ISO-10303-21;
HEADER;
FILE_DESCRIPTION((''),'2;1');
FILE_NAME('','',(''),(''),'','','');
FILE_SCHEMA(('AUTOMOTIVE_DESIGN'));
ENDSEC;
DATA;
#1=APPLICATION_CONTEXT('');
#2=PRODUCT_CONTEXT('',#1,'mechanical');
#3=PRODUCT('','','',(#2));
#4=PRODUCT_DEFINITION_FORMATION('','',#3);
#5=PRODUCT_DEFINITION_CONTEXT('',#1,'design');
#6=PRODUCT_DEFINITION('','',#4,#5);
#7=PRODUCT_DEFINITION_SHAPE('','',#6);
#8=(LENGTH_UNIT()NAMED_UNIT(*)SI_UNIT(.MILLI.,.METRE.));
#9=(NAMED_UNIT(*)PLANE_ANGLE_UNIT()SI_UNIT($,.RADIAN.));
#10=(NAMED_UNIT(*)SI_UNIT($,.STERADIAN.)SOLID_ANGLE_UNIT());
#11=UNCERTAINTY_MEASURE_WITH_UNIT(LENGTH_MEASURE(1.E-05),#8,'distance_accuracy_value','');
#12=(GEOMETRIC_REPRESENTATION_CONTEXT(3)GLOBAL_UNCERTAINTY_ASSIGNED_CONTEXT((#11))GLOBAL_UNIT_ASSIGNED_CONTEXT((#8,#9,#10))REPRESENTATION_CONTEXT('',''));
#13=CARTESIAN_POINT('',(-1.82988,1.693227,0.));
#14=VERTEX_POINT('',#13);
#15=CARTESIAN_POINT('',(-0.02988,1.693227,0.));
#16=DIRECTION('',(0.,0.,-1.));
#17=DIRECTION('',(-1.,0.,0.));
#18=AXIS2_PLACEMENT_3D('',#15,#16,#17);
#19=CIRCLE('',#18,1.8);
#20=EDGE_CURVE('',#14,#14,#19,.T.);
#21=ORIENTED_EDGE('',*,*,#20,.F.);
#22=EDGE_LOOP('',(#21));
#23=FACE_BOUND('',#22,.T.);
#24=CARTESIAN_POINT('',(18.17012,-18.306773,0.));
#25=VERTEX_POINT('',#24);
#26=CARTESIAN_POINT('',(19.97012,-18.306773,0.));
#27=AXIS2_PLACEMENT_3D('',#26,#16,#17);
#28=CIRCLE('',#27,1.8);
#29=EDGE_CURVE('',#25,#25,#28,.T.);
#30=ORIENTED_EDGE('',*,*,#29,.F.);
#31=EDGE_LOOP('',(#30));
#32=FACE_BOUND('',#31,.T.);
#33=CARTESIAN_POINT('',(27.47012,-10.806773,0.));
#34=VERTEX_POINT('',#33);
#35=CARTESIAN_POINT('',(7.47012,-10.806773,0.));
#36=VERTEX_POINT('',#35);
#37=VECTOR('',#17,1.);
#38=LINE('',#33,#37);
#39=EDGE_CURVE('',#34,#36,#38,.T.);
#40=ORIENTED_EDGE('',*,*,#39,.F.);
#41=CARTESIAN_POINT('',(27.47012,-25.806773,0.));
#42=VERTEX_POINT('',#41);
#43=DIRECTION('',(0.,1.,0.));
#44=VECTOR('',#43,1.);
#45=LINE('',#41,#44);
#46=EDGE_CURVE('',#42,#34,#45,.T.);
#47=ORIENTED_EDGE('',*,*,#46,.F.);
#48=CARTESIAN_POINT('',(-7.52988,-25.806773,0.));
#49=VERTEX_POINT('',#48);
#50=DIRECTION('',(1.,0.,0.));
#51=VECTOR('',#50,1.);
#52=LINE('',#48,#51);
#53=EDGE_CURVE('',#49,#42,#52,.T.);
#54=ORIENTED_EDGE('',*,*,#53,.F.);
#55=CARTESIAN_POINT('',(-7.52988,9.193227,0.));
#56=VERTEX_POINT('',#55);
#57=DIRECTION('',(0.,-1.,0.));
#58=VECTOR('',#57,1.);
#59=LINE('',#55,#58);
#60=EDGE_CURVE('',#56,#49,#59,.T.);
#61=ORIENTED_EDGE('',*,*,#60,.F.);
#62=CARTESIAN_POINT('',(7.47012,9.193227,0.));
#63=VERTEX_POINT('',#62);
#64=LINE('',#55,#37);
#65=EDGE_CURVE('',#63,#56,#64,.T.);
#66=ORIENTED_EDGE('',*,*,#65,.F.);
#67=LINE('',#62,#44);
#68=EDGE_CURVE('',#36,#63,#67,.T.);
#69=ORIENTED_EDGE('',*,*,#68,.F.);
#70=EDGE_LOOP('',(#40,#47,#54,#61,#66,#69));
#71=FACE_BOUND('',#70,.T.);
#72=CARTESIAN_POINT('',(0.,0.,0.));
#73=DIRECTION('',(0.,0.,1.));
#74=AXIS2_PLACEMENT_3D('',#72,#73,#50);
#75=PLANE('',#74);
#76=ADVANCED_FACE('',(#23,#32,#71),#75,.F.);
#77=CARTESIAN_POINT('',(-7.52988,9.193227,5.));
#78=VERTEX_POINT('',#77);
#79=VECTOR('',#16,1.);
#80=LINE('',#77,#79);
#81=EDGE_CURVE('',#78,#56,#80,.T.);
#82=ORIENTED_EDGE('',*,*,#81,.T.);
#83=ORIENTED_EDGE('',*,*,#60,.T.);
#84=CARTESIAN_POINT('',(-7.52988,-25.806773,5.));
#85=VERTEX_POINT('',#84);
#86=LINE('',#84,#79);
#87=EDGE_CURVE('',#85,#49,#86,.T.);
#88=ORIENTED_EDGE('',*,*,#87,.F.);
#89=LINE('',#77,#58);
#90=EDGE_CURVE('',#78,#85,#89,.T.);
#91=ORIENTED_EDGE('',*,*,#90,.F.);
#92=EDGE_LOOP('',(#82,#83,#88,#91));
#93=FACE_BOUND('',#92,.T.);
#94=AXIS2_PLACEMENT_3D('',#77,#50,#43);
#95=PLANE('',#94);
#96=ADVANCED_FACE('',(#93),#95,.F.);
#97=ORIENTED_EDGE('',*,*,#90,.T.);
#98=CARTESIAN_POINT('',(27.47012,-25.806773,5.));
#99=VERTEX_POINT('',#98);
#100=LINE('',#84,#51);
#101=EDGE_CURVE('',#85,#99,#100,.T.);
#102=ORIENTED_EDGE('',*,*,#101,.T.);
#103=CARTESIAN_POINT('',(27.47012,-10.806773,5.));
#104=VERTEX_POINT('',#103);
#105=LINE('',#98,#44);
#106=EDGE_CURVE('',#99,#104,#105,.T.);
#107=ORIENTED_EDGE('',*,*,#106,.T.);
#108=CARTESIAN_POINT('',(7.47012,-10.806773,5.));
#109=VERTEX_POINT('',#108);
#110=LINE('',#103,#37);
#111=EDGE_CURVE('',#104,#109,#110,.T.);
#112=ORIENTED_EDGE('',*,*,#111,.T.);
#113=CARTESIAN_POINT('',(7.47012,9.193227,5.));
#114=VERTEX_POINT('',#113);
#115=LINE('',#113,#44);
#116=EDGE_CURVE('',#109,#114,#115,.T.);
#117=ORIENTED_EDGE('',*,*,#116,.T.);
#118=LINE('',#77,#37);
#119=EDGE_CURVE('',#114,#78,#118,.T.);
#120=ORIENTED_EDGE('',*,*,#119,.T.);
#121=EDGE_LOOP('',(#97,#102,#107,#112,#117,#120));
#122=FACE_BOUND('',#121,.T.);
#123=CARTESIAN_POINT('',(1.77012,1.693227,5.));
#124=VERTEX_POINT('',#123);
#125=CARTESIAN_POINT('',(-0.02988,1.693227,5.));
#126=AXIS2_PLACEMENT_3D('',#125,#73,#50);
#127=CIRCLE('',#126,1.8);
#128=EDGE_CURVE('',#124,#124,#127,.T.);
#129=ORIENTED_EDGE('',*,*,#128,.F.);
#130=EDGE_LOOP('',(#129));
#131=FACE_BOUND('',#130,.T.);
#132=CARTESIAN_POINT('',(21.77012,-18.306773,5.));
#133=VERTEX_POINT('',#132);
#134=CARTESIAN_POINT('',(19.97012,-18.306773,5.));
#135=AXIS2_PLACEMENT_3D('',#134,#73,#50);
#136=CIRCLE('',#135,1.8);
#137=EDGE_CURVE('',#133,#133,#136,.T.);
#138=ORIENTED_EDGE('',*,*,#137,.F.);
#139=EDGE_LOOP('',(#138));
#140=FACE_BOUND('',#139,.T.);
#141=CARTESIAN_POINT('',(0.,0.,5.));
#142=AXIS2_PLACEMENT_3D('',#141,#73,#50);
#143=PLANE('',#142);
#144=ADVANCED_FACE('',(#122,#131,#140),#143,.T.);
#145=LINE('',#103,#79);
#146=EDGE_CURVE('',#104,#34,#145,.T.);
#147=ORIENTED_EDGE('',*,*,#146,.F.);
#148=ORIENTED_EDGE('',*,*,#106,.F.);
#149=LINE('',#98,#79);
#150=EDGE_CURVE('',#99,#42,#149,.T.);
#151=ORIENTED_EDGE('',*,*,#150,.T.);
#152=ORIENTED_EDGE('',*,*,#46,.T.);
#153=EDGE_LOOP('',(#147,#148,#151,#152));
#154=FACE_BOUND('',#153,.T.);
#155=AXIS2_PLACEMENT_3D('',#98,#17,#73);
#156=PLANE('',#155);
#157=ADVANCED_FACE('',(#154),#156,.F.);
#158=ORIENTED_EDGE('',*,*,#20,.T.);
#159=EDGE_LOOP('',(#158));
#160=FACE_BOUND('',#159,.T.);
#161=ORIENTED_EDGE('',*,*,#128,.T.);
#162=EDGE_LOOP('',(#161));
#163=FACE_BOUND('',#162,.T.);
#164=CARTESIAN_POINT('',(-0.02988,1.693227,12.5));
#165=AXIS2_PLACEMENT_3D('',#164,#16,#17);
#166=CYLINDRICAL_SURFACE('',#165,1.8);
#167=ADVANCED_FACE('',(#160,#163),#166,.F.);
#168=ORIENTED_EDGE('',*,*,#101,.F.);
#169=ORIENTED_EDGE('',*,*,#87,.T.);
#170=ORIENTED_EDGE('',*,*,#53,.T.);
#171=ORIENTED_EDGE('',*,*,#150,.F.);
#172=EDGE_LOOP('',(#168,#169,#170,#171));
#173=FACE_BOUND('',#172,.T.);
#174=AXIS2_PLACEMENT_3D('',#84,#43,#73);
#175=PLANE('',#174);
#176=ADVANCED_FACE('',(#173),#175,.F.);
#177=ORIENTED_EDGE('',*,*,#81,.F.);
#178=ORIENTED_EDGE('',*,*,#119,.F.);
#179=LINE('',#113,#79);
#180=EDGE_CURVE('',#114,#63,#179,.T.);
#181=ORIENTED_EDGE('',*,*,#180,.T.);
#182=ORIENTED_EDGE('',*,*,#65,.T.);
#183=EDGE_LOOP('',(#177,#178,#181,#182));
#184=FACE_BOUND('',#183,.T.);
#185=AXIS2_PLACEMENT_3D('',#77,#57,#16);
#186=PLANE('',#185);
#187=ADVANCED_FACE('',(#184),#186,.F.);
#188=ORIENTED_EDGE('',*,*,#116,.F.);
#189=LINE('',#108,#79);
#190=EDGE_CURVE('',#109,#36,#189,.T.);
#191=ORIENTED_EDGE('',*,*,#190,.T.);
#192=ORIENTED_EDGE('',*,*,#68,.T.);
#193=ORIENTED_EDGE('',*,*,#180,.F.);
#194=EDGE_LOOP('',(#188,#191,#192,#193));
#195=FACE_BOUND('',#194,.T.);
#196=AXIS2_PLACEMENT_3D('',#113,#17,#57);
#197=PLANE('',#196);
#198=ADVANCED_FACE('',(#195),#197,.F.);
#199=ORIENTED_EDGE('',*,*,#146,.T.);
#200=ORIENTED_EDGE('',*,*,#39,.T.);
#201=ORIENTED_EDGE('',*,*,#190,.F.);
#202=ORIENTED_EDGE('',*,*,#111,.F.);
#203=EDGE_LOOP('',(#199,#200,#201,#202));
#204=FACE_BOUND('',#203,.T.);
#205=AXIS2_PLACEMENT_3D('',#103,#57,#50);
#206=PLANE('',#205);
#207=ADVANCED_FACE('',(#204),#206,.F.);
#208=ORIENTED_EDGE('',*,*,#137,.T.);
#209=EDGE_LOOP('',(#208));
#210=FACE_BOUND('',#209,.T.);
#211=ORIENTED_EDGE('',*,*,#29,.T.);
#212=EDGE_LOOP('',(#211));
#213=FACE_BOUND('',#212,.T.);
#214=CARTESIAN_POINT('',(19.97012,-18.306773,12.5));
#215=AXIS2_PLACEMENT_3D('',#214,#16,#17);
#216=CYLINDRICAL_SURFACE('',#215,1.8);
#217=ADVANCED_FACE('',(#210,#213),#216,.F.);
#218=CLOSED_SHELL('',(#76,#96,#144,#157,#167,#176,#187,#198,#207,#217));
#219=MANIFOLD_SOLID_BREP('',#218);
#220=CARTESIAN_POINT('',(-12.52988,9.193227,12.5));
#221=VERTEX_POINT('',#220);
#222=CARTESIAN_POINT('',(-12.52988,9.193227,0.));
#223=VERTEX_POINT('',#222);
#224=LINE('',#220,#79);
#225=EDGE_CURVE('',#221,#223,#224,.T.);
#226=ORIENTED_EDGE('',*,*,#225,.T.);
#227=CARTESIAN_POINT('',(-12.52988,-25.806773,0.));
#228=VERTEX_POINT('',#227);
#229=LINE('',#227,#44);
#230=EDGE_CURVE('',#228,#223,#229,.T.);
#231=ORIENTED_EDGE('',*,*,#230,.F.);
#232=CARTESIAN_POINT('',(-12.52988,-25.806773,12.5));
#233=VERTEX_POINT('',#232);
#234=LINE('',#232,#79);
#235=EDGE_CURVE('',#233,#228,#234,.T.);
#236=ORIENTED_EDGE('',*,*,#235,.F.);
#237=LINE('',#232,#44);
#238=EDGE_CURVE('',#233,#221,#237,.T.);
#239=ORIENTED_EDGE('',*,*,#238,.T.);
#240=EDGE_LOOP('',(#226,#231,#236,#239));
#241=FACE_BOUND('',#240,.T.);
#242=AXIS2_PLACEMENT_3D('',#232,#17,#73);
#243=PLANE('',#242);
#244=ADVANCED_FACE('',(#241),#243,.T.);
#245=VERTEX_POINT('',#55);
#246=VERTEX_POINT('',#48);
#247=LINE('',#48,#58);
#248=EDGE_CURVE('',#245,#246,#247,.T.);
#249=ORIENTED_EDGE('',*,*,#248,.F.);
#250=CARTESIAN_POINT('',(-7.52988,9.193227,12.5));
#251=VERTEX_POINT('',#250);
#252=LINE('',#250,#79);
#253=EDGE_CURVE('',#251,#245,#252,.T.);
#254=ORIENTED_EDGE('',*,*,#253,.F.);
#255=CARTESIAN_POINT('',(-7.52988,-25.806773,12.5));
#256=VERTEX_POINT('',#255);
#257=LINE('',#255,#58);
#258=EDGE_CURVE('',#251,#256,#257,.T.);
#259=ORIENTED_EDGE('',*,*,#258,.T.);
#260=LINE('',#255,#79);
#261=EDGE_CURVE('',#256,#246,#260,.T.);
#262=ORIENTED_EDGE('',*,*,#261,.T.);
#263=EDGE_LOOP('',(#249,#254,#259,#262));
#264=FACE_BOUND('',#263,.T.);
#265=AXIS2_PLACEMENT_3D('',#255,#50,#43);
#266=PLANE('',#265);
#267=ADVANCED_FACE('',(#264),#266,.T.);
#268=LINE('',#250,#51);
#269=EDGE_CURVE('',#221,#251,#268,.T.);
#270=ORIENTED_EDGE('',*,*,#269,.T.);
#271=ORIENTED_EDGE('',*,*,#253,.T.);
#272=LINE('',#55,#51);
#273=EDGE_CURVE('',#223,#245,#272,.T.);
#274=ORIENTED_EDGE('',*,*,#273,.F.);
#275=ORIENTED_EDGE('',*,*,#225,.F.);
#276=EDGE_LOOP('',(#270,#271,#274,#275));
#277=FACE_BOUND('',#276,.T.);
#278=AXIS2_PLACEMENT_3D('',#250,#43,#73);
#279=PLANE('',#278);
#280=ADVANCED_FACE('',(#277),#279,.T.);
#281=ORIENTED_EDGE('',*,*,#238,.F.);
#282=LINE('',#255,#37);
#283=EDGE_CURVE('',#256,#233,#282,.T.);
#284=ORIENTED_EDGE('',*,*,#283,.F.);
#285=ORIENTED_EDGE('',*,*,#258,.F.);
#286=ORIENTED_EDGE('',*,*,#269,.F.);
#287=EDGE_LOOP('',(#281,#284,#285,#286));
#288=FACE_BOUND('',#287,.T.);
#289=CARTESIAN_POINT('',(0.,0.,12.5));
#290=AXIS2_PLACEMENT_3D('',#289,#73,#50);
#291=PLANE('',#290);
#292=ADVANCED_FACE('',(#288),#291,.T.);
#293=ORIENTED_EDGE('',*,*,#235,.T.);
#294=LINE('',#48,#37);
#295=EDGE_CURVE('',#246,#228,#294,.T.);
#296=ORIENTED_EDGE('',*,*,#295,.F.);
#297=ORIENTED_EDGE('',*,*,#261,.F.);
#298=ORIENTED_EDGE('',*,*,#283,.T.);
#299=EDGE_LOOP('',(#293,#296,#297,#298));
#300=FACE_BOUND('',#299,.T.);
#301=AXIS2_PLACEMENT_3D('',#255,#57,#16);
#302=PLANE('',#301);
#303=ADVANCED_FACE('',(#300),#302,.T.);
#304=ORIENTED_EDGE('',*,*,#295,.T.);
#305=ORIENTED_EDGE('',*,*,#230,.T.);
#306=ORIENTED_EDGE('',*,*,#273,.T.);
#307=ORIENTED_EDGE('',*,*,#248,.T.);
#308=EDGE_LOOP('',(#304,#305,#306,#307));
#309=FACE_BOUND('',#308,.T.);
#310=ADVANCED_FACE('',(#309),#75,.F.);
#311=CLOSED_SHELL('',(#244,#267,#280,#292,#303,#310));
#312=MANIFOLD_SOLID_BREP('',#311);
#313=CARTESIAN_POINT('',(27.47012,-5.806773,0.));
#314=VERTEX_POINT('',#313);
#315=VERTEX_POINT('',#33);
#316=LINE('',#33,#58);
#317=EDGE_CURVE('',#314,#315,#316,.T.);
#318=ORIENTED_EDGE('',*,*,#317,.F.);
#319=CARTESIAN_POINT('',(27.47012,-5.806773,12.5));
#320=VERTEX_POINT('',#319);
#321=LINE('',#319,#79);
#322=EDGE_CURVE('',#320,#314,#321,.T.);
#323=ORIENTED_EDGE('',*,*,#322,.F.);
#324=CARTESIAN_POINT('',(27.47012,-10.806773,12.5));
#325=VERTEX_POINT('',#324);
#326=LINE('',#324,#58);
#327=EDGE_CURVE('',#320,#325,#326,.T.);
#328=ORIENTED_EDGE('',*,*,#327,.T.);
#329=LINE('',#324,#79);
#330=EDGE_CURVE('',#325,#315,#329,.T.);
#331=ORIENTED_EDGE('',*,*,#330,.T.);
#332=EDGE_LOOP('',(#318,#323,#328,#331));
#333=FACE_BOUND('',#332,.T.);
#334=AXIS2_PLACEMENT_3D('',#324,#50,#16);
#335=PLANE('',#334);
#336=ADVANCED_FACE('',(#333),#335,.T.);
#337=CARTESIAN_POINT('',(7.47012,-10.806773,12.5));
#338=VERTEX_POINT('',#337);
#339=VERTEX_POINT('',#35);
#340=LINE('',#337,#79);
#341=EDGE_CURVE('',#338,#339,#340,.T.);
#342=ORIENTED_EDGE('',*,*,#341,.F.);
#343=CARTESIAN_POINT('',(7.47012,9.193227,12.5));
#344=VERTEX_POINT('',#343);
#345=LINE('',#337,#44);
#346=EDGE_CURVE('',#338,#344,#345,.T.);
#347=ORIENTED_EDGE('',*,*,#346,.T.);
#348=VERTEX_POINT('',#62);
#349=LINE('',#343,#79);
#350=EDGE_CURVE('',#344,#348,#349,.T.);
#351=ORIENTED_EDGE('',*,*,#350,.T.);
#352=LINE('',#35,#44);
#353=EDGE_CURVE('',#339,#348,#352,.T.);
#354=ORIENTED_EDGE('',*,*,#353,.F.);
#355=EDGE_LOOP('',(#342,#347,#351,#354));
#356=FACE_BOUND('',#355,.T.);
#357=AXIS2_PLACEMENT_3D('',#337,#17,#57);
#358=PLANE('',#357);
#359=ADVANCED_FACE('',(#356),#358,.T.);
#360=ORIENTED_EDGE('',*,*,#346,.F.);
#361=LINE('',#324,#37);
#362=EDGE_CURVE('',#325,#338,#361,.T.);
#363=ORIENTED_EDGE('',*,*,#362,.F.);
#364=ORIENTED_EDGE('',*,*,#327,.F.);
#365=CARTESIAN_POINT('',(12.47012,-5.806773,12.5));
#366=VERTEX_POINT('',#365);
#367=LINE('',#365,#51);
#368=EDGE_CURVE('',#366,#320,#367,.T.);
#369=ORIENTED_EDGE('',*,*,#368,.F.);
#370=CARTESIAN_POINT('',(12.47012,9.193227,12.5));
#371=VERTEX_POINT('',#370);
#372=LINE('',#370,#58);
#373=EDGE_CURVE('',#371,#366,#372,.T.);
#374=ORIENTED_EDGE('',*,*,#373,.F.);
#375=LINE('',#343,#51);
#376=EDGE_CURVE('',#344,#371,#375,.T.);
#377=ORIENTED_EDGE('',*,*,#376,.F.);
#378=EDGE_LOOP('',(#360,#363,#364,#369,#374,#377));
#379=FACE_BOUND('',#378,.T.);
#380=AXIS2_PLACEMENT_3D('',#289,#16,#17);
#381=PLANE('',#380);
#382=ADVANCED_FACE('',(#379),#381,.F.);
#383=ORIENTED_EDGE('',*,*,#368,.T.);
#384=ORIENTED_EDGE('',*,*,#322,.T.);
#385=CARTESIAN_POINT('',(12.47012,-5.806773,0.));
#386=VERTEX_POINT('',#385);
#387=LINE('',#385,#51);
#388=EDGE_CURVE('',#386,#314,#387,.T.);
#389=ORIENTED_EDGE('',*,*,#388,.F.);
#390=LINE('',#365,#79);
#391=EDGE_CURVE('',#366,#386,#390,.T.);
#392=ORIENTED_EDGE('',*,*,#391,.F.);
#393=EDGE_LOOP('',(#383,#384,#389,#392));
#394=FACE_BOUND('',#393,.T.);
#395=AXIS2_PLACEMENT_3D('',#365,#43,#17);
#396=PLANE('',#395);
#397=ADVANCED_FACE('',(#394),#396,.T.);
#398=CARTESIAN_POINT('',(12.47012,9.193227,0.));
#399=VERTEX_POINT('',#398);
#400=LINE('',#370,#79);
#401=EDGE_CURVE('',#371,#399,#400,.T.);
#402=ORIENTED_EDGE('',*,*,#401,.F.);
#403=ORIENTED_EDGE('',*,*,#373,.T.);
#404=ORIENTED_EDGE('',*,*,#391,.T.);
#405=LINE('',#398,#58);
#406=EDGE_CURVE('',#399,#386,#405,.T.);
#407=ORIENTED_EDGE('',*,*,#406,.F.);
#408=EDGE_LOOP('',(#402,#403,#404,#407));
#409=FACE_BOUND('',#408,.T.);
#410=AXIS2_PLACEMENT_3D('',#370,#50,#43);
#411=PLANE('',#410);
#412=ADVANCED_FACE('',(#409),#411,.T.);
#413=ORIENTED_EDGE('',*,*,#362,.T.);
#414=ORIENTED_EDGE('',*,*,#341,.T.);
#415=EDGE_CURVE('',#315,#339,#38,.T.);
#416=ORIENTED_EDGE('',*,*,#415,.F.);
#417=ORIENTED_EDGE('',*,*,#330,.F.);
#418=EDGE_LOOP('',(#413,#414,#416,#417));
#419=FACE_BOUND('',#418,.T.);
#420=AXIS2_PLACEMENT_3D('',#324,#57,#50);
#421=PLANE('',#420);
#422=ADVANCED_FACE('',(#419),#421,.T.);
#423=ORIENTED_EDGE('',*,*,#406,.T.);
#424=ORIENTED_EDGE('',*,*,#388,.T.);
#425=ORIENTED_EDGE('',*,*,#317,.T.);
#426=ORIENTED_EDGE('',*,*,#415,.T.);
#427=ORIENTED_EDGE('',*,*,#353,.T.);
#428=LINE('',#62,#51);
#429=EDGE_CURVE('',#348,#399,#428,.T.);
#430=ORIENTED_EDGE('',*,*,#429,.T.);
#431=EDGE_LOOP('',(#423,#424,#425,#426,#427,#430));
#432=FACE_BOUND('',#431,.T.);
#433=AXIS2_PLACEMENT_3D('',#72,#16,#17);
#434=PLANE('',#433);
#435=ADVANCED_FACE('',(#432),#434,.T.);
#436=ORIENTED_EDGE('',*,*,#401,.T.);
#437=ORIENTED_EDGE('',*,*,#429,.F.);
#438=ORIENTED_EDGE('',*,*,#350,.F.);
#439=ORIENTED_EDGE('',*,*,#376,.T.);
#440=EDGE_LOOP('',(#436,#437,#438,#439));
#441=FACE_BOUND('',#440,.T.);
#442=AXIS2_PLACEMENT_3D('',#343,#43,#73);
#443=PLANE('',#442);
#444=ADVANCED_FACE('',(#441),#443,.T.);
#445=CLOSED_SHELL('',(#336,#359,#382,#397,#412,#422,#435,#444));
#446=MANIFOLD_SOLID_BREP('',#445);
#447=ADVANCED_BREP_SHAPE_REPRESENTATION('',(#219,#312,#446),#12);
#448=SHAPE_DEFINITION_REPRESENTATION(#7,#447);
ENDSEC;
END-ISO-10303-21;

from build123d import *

# Parameters (mm, degrees)
BOSS_EXTRUDE1_DEPTH = 5
BOSS_EXTRUDE2_DEPTH = 12.5
SKETCH3_W           = 5
SKETCH3_H           = 35
BOSS_EXTRUDE3_DEPTH = 12.5
SKETCH4_R           = 1.8
CUT_EXTRUDE1_DEPTH  = 13.5


with BuildPart() as part:
    # Sketch1 → Boss-Extrude1 (new body)
    with BuildSketch(Plane.XY):
        Polygon((-7.529880478, -25.806772908), (27.470119522, -25.806772908), (27.470119522, -10.806772908), (7.470119522, -10.806772908), (7.470119522, 9.193227092), (-7.529880478, 9.193227092), align=None)
    extrude(amount=BOSS_EXTRUDE1_DEPTH)

    # Sketch4 → Cut-Extrude1 (cut, through all)
    with BuildSketch(Plane(origin=(0, 0, 0), x_dir=(-1, 0, 0), z_dir=(0, 0, -1))):
        with Locations((0.029880478, 1.693227092)):
            Circle(SKETCH4_R)
        with Locations((-19.970119522, -18.306772908)):
            Circle(SKETCH4_R)
    extrude(amount=-CUT_EXTRUDE1_DEPTH, mode=Mode.SUBTRACT)


with BuildPart() as body_2:
    # Sketch2 → Boss-Extrude2 (new body)
    with BuildSketch(Plane(origin=(0, 0, 0), x_dir=(-1, 0, 0), z_dir=(0, 0, -1))):
        Polygon((-7.470119522, 9.193227092), (-12.470119522, 9.193227092), (-12.470119522, -5.806772908), (-27.470119522, -5.806772908), (-27.470119522, -10.806772908), (-7.470119522, -10.806772908), align=None)
    extrude(amount=-BOSS_EXTRUDE2_DEPTH)


with BuildPart() as body_3:
    # Sketch3 → Boss-Extrude3 (new body)
    with BuildSketch(Plane(origin=(0, 0, 0), x_dir=(-1, 0, 0), z_dir=(0, 0, -1))):
        with Locations((10.029880478, -8.306772908)):
            Rectangle(SKETCH3_W, SKETCH3_H)
    extrude(amount=-BOSS_EXTRUDE3_DEPTH)


solid = Compound([part.part, body_2.part, body_3.part])
